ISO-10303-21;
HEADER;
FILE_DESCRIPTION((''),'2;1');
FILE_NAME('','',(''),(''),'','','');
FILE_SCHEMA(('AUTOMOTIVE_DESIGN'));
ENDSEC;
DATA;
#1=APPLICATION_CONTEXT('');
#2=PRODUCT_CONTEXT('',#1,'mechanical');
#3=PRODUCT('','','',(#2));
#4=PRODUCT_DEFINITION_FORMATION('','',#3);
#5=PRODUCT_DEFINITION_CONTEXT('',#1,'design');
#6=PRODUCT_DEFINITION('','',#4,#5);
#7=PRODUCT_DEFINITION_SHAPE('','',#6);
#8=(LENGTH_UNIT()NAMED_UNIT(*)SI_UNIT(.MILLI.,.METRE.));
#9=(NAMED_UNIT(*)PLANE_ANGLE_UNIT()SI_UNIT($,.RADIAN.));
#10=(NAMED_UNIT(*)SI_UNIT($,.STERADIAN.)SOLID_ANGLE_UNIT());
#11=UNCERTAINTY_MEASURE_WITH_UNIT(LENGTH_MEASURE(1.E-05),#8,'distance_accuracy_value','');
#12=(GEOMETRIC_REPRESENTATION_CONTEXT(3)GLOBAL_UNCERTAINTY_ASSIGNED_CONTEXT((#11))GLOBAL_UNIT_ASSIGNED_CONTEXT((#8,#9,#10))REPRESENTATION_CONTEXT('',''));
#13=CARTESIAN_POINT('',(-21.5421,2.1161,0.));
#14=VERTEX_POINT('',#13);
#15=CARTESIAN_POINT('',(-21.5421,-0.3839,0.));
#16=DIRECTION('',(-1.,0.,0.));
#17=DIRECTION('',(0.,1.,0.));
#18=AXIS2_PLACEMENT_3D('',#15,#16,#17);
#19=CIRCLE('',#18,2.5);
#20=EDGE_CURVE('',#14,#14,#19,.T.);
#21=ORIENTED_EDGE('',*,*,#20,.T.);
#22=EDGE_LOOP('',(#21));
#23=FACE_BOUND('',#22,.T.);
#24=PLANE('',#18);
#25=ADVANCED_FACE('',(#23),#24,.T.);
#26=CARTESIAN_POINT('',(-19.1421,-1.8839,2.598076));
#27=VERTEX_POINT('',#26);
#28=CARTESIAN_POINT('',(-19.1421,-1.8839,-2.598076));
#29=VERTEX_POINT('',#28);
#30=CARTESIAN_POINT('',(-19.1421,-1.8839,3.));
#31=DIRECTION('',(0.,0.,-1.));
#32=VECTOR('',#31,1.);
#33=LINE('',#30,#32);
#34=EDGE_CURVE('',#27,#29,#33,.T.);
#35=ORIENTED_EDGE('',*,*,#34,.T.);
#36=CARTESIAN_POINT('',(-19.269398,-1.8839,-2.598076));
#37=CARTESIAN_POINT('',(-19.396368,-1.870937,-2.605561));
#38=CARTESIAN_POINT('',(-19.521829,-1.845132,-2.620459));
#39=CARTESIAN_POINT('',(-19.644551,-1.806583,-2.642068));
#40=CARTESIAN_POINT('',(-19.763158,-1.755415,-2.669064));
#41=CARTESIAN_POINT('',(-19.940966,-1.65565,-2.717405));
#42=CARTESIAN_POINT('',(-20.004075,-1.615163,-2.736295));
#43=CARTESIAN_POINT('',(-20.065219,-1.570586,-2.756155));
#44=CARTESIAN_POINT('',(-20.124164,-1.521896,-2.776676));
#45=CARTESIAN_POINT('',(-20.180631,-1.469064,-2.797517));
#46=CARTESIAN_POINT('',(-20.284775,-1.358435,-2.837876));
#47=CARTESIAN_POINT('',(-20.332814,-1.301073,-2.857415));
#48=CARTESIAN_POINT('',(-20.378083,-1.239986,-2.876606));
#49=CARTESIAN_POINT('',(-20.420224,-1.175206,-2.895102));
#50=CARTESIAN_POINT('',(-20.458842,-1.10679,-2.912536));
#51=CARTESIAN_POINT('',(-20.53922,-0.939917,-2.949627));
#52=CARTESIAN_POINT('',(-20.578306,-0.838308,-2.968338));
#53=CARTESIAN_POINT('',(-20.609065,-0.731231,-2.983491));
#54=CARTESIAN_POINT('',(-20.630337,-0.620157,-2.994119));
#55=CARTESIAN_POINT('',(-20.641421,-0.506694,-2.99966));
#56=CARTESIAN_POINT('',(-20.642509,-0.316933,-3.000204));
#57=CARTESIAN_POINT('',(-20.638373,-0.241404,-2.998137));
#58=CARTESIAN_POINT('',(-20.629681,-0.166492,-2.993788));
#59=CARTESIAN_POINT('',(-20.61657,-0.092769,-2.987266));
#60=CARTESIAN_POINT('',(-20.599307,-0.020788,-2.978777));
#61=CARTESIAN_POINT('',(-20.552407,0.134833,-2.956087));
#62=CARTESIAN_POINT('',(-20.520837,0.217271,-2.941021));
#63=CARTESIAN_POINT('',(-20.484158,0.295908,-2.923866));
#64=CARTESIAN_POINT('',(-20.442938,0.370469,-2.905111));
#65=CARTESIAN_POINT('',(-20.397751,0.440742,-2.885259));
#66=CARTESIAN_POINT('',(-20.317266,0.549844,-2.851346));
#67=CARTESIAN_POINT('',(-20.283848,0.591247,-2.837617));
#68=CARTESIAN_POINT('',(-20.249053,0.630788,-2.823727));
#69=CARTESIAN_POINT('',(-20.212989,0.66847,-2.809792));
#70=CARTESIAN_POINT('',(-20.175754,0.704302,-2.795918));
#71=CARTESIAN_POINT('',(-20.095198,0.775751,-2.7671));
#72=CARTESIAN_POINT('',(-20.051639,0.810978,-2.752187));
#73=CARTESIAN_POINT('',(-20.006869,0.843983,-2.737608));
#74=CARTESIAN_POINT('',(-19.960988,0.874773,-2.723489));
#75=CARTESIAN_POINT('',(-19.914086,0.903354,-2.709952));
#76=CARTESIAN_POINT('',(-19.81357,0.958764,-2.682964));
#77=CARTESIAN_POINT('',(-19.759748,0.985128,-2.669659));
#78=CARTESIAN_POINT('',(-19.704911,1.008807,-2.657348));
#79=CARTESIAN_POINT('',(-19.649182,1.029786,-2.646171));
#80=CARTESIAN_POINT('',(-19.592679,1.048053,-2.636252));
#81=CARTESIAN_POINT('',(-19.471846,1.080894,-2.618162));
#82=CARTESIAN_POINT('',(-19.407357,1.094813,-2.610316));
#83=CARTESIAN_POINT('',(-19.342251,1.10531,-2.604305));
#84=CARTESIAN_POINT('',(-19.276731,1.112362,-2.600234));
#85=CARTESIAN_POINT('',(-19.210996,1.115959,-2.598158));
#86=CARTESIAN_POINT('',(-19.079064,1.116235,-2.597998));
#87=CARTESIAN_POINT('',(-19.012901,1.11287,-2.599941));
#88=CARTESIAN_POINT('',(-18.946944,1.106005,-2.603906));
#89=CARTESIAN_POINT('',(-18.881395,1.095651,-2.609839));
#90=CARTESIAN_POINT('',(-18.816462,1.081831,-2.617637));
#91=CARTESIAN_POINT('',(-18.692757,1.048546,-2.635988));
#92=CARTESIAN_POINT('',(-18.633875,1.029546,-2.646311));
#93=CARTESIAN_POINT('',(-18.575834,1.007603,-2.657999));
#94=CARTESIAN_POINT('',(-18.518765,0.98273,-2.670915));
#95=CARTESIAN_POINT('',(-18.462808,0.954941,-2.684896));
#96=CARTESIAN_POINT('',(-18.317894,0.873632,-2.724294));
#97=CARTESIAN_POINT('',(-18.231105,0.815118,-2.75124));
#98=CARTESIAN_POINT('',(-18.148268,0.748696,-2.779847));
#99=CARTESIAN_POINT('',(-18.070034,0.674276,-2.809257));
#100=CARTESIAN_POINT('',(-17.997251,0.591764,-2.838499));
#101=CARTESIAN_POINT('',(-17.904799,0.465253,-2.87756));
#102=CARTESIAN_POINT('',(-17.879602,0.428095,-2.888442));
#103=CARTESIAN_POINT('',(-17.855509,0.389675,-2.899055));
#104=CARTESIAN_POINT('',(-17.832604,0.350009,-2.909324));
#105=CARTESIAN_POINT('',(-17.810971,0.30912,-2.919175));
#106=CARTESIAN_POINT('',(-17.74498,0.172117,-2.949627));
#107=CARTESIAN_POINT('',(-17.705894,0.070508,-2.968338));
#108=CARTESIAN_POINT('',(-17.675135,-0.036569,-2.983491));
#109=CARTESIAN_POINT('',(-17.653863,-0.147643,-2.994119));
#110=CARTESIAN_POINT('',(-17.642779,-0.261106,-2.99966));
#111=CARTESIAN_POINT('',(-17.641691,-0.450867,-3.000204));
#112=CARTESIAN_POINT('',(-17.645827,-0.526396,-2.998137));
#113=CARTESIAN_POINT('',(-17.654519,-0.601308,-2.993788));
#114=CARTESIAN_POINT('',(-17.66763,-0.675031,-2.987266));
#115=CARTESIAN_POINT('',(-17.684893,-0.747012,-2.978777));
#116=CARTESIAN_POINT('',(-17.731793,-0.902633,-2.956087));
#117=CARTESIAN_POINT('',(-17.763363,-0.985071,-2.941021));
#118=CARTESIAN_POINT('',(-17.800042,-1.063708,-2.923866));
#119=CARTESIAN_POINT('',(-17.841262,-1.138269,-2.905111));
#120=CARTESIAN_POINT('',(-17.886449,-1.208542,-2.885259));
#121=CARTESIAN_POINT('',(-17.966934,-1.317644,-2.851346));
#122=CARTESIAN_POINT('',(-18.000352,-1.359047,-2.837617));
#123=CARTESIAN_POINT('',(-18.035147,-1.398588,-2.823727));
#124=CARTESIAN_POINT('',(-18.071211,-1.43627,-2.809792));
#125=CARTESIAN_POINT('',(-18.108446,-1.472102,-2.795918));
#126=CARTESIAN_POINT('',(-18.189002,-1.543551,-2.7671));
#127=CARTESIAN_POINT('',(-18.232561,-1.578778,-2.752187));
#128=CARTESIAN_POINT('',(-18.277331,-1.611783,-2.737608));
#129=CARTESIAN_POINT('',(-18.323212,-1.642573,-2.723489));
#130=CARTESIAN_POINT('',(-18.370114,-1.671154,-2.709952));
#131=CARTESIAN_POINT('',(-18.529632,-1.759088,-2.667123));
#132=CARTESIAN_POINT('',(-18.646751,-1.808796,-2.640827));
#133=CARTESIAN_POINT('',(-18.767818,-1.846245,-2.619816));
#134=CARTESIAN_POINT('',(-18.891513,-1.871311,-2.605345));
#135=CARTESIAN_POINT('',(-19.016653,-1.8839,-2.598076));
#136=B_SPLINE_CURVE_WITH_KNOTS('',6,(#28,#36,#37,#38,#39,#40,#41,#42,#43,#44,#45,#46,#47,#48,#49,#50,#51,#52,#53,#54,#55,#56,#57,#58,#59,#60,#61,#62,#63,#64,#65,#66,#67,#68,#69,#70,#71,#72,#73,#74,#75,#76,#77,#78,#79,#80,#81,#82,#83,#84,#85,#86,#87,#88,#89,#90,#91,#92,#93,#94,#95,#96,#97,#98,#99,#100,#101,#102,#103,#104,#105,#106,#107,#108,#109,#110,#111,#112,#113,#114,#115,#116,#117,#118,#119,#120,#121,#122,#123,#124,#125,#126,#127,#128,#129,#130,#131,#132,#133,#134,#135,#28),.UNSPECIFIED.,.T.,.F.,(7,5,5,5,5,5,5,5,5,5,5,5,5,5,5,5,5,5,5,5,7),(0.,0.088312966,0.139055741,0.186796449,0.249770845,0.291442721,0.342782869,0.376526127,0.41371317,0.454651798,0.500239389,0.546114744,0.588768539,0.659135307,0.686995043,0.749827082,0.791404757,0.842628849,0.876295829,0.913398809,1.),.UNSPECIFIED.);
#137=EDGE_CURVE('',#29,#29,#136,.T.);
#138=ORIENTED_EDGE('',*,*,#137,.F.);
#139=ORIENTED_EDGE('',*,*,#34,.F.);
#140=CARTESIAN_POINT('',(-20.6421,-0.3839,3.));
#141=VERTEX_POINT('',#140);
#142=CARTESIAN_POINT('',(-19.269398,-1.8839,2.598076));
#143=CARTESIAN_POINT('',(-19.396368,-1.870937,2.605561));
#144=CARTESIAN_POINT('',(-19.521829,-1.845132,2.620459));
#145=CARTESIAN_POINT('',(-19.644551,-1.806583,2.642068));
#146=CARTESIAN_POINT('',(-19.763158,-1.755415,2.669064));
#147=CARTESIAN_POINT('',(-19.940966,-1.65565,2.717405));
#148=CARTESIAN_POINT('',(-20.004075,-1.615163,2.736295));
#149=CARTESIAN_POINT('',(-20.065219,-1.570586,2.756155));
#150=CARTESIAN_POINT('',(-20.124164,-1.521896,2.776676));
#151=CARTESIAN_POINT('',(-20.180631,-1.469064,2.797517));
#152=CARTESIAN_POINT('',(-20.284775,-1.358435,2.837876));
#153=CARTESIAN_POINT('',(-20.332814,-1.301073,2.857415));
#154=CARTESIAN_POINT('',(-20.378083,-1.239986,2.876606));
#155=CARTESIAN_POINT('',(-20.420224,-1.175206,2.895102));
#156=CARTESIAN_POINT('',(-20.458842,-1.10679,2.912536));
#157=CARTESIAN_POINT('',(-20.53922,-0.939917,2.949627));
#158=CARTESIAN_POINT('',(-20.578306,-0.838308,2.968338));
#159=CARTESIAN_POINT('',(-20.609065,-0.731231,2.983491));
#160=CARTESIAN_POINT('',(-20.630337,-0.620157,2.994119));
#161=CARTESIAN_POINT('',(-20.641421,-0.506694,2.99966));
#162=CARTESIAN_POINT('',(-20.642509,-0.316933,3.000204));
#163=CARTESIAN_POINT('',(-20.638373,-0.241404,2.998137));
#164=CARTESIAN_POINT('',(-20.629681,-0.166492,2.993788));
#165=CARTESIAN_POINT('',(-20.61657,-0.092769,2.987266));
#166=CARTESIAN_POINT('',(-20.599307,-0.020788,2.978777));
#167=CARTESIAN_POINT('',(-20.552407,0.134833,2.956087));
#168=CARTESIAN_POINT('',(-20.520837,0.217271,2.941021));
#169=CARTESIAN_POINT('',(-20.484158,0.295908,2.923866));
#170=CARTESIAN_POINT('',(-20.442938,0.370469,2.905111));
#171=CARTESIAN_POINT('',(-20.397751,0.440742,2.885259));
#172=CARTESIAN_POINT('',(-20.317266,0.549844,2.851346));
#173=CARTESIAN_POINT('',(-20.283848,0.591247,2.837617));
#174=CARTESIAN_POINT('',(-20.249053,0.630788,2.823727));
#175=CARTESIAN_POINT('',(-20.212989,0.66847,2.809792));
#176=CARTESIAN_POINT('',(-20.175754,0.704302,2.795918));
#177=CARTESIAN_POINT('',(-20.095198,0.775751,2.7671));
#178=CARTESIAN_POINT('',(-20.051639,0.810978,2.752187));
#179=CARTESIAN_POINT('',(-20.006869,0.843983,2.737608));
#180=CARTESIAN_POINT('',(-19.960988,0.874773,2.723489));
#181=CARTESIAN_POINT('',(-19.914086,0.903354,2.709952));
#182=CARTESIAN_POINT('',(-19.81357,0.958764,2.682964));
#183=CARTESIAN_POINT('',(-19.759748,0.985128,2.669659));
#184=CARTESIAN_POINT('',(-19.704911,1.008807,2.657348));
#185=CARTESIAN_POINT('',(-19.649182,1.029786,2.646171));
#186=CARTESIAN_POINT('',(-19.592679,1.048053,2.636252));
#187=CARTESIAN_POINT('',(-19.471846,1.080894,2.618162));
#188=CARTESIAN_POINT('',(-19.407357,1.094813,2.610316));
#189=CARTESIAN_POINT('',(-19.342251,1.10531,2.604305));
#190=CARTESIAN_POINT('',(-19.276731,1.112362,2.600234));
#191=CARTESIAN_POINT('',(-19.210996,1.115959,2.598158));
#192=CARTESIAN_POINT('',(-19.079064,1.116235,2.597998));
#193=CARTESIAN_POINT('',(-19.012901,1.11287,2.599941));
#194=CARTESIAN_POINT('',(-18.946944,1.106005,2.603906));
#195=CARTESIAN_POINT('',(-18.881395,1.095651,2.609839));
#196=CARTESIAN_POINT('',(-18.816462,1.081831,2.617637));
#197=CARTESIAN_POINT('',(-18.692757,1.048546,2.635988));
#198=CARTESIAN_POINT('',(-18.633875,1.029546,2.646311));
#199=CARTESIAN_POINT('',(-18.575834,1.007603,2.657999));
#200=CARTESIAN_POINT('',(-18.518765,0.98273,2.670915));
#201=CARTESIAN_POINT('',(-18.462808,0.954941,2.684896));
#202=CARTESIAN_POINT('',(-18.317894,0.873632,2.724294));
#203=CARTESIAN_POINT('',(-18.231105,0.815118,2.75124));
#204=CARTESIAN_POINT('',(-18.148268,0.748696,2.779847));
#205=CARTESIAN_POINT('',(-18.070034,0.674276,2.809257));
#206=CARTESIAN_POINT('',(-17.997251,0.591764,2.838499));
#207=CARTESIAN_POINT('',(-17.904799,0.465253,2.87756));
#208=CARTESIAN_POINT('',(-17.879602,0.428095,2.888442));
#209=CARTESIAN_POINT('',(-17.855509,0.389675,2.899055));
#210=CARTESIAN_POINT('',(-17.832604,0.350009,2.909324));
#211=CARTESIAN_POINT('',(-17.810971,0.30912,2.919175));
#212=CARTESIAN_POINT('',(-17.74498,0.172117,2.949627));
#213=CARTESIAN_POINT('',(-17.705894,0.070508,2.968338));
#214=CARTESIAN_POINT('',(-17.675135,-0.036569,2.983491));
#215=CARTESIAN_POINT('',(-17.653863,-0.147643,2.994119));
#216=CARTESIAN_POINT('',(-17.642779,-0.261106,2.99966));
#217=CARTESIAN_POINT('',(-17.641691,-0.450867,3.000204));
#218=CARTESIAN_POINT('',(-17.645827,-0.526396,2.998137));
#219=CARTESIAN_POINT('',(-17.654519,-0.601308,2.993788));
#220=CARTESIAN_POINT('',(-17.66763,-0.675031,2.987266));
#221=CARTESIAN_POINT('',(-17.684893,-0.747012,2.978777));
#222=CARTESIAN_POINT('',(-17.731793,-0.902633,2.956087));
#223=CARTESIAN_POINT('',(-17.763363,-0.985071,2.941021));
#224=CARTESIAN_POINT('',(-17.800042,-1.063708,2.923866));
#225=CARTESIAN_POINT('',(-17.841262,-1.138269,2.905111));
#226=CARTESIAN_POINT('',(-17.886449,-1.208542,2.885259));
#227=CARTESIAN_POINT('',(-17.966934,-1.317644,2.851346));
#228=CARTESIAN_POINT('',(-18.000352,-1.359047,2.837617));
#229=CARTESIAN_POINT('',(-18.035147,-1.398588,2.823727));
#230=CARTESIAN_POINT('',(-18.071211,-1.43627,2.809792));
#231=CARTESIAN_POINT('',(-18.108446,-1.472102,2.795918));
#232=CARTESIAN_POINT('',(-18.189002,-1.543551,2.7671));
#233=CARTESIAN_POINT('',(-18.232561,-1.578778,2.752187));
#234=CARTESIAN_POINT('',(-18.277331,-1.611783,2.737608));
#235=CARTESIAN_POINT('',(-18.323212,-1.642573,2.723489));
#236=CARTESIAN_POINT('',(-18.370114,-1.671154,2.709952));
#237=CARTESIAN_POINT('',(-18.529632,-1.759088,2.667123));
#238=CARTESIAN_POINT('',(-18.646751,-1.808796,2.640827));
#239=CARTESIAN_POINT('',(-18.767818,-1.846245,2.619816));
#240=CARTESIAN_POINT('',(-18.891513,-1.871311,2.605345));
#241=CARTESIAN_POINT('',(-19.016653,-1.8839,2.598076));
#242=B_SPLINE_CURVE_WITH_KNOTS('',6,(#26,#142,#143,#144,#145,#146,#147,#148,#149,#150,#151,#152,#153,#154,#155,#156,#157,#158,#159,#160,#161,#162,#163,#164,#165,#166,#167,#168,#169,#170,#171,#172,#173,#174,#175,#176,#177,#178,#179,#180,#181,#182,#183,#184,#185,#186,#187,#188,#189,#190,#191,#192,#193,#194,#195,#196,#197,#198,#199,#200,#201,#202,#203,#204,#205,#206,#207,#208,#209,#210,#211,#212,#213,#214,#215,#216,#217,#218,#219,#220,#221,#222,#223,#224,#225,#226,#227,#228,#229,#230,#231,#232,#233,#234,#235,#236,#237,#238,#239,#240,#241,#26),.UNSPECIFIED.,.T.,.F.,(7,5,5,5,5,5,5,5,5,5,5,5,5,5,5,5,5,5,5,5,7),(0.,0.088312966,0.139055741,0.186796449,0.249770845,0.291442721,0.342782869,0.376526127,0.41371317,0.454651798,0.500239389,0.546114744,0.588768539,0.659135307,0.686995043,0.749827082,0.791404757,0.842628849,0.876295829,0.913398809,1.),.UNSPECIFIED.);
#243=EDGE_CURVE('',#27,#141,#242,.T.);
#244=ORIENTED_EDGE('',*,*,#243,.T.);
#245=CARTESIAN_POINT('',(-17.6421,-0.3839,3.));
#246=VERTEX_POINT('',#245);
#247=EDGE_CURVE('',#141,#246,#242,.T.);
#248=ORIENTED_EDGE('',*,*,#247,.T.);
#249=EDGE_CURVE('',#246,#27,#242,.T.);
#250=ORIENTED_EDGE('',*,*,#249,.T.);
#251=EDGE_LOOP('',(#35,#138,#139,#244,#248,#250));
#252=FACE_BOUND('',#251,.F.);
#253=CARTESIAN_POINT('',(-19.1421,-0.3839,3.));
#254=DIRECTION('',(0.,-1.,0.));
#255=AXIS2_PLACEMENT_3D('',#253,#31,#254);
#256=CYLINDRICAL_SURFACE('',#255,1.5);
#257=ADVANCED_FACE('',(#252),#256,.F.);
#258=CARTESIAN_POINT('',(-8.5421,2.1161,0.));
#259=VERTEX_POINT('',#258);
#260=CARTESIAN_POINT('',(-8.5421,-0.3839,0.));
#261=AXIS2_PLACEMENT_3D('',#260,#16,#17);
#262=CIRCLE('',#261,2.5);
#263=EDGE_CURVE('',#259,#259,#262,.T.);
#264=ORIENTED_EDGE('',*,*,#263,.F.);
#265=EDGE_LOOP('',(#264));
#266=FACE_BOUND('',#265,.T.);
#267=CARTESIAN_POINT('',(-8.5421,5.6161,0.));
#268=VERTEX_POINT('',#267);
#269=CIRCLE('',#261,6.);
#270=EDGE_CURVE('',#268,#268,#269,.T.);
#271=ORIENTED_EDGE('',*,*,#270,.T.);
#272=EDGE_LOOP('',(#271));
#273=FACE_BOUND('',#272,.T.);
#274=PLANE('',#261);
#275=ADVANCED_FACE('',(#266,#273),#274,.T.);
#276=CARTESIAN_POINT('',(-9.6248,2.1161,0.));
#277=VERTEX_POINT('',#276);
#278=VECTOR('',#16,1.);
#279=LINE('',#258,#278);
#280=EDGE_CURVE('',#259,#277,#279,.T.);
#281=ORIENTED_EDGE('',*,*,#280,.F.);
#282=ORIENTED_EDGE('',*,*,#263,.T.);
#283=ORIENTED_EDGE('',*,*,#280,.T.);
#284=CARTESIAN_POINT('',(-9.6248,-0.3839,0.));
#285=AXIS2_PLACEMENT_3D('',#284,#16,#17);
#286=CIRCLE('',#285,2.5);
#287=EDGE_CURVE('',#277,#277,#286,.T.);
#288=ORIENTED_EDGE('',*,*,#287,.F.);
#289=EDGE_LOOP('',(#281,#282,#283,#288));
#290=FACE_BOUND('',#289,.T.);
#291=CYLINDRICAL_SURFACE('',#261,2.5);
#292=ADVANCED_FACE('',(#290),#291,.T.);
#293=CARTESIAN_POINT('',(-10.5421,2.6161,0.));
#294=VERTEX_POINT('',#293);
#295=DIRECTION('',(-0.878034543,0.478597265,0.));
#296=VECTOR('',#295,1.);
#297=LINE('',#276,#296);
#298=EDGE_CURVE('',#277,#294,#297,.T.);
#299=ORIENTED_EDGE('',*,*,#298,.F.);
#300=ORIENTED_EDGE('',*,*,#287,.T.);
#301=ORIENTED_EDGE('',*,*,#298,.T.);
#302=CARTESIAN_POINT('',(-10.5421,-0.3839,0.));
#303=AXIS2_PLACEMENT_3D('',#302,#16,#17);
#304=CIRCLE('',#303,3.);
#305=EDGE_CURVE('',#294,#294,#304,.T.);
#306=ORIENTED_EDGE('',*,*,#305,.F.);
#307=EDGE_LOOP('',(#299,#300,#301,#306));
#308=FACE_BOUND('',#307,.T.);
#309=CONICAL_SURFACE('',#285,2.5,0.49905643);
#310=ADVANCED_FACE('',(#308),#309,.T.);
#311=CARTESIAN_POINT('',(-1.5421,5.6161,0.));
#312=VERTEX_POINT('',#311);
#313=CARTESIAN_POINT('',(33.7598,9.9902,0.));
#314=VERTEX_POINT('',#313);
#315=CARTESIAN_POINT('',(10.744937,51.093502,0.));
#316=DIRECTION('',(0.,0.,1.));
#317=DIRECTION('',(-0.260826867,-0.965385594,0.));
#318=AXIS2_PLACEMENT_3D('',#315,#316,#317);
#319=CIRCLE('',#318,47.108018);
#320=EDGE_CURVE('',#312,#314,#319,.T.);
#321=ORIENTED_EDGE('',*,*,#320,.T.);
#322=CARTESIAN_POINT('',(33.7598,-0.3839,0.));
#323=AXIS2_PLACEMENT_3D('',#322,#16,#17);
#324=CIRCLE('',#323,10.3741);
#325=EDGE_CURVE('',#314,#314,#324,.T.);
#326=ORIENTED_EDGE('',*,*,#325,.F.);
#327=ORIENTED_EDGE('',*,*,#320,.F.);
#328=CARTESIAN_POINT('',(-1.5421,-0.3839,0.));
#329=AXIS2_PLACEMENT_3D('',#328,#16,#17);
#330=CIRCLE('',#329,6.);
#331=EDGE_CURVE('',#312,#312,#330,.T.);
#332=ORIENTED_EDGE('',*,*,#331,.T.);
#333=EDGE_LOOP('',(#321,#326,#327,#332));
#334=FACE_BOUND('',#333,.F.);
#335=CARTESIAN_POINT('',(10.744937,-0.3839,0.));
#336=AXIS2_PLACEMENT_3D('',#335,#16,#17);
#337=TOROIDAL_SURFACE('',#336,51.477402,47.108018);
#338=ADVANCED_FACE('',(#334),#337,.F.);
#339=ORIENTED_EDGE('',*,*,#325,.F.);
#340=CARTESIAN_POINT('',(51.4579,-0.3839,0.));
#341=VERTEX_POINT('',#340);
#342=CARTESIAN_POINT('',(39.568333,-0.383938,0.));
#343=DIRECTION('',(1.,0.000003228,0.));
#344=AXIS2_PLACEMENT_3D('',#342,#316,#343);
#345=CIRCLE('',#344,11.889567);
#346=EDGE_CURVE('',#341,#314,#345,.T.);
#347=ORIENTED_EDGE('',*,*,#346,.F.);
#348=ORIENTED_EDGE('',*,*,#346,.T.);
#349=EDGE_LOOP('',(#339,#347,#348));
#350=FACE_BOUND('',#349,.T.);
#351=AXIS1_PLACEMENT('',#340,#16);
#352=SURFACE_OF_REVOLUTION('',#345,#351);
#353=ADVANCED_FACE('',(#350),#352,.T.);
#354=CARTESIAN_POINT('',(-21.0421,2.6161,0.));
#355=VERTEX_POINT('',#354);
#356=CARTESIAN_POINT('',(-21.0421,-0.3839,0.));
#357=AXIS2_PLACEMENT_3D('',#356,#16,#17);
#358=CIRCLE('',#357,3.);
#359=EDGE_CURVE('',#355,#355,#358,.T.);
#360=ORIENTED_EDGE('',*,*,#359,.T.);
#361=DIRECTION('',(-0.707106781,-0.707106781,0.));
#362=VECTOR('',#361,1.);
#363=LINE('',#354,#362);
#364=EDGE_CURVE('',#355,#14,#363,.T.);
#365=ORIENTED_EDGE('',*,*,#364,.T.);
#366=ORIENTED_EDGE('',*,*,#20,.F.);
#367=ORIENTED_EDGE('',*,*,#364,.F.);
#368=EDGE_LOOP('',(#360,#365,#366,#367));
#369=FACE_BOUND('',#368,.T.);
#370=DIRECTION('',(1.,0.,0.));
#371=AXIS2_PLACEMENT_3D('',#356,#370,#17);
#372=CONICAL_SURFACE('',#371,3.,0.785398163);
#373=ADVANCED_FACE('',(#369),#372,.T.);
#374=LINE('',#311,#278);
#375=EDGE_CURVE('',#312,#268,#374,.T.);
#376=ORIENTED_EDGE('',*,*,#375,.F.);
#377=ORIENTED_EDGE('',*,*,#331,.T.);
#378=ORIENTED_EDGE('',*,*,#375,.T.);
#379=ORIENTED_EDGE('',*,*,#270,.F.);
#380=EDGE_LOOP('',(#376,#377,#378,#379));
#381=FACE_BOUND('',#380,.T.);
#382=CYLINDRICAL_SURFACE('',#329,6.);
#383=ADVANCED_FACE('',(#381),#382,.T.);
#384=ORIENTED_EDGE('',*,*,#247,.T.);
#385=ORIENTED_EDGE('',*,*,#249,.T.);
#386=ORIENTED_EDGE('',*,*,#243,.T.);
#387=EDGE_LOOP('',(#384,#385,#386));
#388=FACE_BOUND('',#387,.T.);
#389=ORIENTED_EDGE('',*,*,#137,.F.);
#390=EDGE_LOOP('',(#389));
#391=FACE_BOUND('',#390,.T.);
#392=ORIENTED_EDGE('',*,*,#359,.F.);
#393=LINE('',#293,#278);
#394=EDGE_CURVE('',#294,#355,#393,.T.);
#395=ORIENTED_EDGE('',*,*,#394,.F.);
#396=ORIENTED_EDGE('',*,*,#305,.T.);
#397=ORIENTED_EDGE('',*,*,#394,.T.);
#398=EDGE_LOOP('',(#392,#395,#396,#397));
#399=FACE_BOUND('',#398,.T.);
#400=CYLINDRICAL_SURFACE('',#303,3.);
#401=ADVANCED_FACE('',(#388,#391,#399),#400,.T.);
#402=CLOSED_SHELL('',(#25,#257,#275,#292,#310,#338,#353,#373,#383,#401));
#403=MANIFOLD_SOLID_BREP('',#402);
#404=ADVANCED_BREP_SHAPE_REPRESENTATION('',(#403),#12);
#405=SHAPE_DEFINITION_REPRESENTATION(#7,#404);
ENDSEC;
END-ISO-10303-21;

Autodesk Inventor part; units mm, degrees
ref_plane "YZ Plane" through (0, 0, 0) normal (1, 0, 0) x (0, 1, 0)
ref_plane "XZ Plane" through (0, 0, 0) normal (0, 1, 0) x (-1, 0, 0)
sketch "Skizze1" plane through (0, 0, 0) normal (0, 0, 1) x (1, 0, 0)
  line L0 (51.4579, -0.3839) -> (-27.7559, -0.3839)
  arc A0 (51.4579, -0.3839) -> (33.7598, 9.9902) centre (39.5684, -0.3839) ccw
  arc A1 (-1.5421, 5.6161) -> (33.7598, 9.9902) centre (10.745, 51.0944) ccw
  line L1 (-1.5421, 5.6161) -> (-8.5421, 5.6161)
  line L2 (-8.5421, 5.6161) -> (-8.5421, -0.3839)
  line L3 (-8.5421, 2.1161) -> (-9.6248, 2.1161)
  line L4 (-9.6248, 2.1161) -> (-10.5421, 2.6161)
  line L5 (-10.5421, 2.6161) -> (-21.5421, 2.6161)
  line L6 (-21.5421, 2.6161) -> (-21.5421, -0.3839)
  dimension "d0" = 60
  dimension "d1" = 7
  dimension "d2" = 3
  dimension "d3" = 2.5
  dimension "d4" = 11
  dimension "d5" = 13
  dimension "d6" = 6
revolve "Drehung1" add sketch "Skizze1" angle 360 about axis through (51.4579, -0.3839, 0) along (-1, 0, 0)
chamfer "Fase1" distance 0.5 angle 45 1 edges at (-21.5421, -3.3839, 0)
thread "Gewinde1" size "M6x1" class "6g" standard "ANSI Metrisches M Profil" full length
ref_plane "Arbeitsebene1" through (-16.0421, -0.3839, 3) normal (0, 0, 1) x (1, 0, 0)
sketch "Skizze2" plane through (-16.0421, -0.3839, 3) normal (0, 0, 1) x (1, 0, 0)
  line L0 (-5, 3) -> (-5, -3) projected
  line L1 (5.5, -3) -> (5.5, 3) projected
  line L2 (-5, 3) -> (-5, -3) projected
  line L3 (-5, 3) -> (5.5, 3) projected
  line L4 (-5, -3) -> (5.5, -3) projected
  line L5 (-5.5, -2.5) -> (-5.5, 2.5) projected
  point P0 (-3.1, 0)
  dimension "d14" = 3
  dimension "d15" = 2.4
hole "Bohrung1" at (-19.1421, -0.3839, 3) direction (0, 0, -1) diameter 3 end through all
properties part number "Glocke03"
